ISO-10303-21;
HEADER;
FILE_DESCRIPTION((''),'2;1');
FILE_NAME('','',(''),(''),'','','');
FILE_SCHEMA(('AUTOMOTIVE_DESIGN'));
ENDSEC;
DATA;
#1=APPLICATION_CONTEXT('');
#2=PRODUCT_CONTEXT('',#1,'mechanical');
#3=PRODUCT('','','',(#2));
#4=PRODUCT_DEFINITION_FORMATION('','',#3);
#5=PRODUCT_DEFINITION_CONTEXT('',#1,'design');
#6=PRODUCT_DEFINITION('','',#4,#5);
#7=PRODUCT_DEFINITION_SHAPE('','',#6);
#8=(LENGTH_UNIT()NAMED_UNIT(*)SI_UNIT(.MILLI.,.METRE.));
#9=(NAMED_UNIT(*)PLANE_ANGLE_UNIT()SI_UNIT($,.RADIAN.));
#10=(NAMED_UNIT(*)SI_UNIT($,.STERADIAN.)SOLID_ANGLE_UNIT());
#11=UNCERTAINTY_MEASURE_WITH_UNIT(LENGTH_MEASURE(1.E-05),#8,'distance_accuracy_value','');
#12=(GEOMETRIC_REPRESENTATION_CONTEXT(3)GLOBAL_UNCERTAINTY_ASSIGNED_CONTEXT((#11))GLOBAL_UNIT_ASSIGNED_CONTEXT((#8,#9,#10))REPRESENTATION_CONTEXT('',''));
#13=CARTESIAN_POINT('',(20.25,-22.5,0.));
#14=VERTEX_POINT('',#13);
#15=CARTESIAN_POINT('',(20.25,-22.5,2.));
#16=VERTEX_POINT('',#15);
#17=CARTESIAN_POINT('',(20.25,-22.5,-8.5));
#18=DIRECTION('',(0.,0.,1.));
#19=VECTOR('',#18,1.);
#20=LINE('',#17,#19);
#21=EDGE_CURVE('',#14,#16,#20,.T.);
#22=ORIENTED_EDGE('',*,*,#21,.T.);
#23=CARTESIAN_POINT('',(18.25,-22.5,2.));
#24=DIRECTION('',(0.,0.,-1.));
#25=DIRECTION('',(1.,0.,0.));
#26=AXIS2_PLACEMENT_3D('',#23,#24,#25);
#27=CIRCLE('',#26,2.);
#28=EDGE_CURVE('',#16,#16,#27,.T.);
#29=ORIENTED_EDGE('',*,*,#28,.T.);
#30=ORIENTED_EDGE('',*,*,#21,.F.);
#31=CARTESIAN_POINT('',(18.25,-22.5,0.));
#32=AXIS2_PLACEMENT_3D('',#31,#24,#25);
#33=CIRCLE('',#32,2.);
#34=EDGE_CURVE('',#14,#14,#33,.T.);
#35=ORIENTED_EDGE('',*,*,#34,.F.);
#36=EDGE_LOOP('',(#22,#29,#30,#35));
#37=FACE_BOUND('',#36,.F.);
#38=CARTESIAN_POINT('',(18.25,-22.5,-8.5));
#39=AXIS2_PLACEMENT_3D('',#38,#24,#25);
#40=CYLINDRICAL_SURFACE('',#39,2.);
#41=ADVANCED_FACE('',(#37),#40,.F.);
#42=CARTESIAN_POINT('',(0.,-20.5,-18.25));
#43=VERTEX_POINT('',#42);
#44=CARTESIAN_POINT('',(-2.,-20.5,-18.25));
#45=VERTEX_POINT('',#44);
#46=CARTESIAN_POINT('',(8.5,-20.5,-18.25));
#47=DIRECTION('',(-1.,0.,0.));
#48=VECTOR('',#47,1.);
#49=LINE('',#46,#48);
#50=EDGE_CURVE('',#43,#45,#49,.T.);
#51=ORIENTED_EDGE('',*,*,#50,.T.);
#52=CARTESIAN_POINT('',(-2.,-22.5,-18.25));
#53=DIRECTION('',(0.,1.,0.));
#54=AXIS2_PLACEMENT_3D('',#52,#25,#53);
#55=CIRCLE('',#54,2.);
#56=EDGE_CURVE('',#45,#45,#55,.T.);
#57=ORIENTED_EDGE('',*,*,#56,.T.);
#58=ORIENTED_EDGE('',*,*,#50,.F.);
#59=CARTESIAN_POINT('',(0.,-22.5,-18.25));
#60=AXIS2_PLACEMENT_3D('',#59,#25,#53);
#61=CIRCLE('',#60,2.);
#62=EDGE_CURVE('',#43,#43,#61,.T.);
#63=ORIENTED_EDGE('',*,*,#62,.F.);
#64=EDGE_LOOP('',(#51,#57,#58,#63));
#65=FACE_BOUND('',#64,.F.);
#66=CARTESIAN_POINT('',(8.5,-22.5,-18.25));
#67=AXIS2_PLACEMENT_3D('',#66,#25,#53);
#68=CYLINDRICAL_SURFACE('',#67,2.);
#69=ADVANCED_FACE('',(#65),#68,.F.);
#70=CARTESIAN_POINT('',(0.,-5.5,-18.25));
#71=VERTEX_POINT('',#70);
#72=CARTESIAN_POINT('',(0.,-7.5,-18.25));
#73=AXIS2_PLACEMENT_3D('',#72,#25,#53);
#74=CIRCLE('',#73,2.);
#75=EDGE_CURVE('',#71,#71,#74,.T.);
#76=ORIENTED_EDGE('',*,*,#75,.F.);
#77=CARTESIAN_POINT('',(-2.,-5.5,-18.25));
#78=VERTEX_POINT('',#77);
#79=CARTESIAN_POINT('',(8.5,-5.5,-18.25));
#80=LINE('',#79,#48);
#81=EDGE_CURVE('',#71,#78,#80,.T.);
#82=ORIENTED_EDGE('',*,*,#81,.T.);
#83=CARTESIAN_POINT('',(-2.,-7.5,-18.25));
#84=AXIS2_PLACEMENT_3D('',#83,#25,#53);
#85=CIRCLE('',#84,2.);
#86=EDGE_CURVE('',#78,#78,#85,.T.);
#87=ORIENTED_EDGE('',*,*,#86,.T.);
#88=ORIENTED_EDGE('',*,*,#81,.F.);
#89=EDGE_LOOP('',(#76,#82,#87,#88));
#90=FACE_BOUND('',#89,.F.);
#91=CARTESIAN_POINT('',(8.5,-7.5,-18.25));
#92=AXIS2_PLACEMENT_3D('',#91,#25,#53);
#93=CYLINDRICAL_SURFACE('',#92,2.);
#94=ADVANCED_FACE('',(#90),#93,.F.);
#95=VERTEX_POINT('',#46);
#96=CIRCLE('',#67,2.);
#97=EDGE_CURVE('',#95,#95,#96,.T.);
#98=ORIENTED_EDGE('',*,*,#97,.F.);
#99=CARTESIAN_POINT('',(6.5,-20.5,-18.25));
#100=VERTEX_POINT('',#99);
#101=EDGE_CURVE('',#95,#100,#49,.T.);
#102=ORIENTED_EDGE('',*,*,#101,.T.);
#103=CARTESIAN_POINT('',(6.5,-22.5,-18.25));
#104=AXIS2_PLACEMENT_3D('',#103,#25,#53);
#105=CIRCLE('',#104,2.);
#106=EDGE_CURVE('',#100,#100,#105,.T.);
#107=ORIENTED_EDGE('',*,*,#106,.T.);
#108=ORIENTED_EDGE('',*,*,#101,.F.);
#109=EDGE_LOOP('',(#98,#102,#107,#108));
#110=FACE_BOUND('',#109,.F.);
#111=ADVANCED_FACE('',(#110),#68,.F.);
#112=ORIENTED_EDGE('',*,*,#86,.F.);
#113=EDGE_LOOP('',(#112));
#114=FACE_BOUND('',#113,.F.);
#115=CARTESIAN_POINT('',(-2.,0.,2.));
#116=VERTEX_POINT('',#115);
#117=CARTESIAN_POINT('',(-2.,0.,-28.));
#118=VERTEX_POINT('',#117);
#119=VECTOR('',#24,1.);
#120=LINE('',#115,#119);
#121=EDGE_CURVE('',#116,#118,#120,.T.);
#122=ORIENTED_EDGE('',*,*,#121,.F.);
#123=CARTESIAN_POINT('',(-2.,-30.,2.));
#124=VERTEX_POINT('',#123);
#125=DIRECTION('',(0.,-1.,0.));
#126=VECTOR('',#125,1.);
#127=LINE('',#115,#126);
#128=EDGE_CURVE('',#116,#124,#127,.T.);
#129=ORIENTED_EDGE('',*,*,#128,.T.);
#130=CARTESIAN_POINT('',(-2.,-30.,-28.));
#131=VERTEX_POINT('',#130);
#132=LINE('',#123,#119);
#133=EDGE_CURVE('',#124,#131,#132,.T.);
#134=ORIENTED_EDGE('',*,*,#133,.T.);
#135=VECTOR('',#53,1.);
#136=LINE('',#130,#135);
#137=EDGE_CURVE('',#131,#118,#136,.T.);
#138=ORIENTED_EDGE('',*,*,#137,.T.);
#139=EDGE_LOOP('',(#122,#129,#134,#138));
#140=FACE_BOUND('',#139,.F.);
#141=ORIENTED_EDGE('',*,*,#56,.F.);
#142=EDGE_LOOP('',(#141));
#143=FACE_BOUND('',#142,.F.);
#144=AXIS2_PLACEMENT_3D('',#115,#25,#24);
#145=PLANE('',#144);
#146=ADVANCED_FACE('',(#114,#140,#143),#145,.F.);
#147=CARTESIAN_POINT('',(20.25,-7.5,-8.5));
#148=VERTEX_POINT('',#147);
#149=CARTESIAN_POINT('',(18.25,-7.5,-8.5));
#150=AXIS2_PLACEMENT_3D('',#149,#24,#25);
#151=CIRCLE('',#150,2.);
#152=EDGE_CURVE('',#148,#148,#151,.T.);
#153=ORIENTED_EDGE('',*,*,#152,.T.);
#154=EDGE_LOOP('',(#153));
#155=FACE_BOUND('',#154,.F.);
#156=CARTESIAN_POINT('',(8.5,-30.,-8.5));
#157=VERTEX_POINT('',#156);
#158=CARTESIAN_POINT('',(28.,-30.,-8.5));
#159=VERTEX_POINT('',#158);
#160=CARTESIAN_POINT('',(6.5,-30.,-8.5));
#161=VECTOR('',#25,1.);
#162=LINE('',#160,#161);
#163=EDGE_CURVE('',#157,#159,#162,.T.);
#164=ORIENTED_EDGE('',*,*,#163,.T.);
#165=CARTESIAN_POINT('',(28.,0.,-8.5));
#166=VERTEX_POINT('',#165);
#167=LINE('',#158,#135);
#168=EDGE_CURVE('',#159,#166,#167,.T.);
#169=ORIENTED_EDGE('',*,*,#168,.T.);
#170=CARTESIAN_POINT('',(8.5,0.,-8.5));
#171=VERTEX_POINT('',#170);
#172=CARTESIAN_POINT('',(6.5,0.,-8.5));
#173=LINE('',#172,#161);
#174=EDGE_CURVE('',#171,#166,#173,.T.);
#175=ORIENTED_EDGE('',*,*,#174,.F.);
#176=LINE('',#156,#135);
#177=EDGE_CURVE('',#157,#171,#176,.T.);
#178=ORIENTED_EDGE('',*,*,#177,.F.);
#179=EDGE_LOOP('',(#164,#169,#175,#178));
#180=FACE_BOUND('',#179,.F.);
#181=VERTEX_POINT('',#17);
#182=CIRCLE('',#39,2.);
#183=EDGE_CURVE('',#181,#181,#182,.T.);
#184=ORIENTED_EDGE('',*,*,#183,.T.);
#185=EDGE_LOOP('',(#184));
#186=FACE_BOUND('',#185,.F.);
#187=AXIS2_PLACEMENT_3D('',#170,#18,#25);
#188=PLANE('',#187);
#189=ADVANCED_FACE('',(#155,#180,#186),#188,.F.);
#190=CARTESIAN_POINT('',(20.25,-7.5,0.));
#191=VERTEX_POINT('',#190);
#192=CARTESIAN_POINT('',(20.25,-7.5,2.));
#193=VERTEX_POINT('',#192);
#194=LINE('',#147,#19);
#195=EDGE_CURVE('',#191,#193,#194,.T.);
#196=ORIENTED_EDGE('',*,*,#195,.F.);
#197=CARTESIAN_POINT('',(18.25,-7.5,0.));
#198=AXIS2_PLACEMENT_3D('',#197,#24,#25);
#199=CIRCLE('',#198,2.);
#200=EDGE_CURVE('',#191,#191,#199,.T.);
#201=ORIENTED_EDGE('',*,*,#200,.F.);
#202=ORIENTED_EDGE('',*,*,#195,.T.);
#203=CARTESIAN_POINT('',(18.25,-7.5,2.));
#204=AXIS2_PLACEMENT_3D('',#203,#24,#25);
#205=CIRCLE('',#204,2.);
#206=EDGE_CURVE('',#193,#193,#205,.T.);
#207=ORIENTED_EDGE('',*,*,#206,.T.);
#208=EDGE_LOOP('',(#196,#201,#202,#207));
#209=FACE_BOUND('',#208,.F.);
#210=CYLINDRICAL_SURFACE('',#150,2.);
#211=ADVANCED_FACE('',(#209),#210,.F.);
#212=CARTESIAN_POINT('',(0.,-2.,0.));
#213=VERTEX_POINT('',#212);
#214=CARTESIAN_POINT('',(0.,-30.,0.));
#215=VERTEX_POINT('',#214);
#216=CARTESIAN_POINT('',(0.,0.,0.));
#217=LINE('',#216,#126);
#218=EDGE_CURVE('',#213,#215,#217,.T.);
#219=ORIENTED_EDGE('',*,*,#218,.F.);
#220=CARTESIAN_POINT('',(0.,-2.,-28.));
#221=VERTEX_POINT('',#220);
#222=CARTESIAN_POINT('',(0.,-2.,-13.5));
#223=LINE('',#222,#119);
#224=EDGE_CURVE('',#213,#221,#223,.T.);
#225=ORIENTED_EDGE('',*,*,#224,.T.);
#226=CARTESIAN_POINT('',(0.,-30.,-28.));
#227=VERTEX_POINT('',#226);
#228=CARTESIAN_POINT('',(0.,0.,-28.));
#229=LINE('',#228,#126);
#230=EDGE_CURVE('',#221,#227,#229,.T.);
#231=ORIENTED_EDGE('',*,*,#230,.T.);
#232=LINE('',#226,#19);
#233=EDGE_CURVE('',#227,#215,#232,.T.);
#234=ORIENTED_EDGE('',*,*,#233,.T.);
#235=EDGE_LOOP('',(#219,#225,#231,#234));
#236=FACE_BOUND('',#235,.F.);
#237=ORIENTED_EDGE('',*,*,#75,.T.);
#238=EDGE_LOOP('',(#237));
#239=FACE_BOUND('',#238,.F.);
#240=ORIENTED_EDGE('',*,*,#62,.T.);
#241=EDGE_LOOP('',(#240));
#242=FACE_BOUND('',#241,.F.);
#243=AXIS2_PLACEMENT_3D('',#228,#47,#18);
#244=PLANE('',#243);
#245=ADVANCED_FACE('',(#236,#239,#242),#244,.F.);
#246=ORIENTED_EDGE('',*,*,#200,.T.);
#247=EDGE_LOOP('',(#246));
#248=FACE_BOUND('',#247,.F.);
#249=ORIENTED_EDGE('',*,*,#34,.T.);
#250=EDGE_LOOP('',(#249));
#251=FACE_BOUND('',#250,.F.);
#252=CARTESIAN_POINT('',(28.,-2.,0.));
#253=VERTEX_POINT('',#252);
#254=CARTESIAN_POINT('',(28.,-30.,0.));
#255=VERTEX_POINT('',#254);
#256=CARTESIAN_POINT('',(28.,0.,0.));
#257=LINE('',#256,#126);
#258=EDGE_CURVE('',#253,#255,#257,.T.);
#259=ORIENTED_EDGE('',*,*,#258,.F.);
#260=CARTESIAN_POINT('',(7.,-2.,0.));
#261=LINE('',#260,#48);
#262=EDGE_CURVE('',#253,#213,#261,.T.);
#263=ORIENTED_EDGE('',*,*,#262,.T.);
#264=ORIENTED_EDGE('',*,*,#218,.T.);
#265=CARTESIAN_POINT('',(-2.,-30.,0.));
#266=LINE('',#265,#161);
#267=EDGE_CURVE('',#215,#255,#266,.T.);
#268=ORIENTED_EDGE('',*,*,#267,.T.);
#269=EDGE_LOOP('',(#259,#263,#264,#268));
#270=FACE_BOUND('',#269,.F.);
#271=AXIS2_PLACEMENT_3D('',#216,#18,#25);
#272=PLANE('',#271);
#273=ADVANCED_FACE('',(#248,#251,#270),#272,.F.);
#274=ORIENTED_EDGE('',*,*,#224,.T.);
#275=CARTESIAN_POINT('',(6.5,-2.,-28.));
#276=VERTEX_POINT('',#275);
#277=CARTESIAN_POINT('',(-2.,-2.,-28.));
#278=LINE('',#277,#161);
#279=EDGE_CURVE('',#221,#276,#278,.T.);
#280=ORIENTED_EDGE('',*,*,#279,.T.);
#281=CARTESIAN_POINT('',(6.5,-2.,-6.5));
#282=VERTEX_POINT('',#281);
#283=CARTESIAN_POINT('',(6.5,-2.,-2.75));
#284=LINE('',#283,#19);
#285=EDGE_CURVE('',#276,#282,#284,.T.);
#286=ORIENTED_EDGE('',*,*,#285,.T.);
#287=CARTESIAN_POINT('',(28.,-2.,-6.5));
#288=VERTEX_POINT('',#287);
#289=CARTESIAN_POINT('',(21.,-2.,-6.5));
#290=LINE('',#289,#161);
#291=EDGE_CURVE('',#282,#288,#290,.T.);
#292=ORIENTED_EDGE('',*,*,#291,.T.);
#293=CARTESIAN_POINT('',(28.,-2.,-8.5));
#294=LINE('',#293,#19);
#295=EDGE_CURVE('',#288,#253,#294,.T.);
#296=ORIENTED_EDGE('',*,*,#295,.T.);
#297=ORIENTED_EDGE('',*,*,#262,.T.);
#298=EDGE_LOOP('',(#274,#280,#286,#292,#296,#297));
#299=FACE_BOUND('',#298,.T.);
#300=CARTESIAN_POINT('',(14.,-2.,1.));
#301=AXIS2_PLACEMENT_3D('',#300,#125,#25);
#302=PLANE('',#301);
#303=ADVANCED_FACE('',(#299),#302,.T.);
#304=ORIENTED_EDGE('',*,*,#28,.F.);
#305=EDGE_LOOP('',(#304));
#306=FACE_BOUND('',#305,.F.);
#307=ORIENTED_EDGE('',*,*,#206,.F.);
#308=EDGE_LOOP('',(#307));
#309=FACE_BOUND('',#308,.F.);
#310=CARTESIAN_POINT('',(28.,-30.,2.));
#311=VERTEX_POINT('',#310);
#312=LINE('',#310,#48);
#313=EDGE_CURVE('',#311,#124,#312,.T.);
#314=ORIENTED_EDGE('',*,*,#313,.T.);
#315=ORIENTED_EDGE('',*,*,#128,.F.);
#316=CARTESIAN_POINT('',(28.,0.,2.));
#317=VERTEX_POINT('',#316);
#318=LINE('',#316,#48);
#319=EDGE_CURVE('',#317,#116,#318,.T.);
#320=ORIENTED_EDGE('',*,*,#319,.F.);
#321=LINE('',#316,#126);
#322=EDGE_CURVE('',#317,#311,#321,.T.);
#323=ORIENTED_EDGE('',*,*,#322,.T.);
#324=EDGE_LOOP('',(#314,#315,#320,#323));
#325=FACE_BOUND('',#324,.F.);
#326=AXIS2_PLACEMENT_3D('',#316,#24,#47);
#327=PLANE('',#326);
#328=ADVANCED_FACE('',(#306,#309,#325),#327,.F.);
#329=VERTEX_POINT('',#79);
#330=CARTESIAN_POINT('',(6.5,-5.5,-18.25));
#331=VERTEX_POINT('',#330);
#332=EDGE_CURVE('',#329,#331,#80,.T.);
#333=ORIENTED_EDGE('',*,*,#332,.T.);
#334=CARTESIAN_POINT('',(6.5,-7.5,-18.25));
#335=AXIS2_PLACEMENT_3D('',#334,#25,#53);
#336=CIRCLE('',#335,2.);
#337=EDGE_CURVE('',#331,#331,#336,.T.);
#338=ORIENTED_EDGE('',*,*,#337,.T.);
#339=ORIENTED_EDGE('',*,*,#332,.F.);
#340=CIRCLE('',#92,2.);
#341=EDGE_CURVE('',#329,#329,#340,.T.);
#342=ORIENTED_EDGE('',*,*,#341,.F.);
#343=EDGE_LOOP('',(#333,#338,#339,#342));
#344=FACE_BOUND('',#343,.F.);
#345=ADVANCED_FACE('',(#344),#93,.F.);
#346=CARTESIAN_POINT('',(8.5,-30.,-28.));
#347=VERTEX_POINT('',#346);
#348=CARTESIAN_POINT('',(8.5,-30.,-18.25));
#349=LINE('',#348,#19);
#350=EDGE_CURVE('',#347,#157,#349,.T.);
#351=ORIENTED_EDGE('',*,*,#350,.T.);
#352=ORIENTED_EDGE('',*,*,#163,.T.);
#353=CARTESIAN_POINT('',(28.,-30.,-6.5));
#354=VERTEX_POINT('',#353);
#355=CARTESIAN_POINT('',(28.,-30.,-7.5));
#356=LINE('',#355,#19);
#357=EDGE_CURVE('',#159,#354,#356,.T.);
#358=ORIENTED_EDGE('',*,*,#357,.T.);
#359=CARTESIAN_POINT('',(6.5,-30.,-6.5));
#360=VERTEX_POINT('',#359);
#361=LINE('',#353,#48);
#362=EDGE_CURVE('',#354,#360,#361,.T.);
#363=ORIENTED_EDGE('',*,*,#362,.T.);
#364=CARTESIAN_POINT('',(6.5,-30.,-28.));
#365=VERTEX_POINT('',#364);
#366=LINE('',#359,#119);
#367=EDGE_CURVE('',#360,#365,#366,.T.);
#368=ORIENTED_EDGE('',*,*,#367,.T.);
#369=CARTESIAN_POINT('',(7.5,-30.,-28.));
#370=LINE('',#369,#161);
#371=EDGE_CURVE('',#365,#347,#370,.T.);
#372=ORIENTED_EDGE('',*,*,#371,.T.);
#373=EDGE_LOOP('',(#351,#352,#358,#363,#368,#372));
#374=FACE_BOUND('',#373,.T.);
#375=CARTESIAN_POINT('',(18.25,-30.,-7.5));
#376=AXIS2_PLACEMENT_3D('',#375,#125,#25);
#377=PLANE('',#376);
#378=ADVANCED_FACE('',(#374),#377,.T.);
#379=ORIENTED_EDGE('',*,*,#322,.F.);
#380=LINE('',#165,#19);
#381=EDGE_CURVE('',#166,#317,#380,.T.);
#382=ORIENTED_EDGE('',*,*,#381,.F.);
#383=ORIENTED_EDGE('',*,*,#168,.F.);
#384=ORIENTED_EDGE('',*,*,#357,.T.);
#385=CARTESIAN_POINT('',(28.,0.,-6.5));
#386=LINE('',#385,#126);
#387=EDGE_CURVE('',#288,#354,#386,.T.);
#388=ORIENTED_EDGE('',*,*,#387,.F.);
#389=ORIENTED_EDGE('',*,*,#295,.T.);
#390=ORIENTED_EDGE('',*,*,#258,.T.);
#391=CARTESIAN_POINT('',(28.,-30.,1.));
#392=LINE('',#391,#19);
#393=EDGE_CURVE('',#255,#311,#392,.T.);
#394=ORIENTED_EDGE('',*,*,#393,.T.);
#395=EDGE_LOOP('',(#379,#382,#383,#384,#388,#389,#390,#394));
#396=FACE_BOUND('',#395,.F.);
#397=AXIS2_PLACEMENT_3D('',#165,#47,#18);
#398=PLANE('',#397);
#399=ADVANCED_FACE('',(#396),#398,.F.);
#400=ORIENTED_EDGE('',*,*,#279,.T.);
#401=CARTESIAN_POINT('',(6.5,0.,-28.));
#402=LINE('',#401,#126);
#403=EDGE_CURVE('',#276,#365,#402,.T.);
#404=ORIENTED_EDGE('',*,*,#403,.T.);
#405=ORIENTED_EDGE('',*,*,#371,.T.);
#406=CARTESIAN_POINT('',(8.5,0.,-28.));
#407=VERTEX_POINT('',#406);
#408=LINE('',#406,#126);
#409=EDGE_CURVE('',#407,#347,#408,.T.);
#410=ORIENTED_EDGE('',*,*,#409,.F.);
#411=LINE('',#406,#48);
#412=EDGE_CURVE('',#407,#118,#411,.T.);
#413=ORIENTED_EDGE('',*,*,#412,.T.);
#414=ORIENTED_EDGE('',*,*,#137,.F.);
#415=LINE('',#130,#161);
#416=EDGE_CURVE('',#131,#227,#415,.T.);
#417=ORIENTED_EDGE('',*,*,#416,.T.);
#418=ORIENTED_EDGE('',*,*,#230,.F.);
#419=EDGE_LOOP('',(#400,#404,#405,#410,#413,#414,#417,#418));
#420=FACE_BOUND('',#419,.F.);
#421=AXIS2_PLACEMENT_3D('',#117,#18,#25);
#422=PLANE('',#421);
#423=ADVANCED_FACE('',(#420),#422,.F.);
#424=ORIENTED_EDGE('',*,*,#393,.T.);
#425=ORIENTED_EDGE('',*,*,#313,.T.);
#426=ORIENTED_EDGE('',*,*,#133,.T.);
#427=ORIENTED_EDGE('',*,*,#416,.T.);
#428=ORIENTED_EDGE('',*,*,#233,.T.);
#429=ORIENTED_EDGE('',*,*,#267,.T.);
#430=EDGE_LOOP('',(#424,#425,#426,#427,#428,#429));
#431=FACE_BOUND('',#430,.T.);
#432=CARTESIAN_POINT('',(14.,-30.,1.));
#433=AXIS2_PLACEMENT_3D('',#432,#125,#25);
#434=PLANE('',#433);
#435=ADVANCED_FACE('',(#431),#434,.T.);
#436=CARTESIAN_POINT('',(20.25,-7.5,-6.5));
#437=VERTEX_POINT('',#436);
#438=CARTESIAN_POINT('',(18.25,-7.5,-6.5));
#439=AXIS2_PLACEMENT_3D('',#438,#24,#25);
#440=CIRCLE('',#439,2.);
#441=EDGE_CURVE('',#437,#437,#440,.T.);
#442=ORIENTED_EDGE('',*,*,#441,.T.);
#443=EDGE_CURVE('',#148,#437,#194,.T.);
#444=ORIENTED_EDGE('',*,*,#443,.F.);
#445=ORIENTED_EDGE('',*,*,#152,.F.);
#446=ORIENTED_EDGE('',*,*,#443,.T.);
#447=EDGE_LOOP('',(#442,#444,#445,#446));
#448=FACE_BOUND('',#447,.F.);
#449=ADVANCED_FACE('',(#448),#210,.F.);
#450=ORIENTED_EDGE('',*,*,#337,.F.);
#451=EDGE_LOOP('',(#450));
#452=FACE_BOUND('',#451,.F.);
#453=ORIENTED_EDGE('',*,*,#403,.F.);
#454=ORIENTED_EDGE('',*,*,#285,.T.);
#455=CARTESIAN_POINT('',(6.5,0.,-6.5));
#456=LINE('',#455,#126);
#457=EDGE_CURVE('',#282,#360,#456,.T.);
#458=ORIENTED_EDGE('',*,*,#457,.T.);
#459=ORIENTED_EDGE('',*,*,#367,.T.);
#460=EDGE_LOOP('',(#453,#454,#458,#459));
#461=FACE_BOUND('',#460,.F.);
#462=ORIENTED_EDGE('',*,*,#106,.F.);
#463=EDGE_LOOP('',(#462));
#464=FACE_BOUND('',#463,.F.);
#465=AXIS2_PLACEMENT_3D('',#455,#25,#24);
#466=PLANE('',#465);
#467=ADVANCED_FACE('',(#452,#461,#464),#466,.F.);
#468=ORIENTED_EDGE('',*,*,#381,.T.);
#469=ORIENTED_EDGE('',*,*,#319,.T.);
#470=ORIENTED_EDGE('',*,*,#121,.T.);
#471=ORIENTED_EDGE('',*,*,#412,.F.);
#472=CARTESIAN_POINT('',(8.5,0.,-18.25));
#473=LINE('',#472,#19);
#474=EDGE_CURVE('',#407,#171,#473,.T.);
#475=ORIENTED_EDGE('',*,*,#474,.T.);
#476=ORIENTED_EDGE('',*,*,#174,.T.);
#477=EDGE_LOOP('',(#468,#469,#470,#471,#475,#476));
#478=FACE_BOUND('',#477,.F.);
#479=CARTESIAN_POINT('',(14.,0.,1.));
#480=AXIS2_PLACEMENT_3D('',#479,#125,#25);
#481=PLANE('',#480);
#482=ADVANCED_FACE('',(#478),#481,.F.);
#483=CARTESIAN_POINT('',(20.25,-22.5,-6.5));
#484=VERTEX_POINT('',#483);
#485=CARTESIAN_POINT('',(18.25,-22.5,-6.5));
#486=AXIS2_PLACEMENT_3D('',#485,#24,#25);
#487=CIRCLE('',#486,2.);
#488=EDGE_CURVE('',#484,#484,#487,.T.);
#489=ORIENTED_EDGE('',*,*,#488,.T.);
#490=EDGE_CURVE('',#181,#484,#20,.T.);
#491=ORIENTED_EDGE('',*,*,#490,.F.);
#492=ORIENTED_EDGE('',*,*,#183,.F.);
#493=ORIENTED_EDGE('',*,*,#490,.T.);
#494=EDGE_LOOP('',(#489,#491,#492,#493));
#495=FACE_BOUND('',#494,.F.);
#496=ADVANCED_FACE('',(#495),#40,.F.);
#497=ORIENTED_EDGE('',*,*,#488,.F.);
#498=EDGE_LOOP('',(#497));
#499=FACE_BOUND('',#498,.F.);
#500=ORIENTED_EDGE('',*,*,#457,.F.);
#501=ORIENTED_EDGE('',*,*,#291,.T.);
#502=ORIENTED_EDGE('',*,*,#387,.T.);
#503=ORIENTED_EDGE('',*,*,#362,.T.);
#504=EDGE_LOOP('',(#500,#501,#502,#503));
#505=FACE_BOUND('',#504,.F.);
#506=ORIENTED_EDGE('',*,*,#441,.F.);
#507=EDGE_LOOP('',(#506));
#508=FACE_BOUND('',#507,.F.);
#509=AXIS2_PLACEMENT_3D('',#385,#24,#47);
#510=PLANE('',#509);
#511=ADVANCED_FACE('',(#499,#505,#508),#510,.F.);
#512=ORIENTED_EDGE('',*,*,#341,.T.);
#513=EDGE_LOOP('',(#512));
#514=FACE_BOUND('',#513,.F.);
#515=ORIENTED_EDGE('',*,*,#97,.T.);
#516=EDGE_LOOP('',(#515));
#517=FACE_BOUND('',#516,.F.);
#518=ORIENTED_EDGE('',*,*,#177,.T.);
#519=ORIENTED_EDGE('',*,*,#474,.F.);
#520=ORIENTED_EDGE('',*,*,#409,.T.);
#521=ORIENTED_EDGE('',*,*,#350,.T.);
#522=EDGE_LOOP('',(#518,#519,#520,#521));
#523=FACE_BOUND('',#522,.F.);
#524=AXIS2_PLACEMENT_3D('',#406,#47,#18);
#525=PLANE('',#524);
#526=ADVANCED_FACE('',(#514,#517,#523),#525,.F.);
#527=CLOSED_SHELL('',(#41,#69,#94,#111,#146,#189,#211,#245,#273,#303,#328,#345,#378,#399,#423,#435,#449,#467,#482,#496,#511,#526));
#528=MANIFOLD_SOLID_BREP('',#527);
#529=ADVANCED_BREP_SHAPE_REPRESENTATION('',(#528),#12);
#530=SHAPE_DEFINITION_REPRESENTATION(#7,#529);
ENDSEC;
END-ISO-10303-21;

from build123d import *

# Parameters (mm, degrees)
F2_W     = 28
F2_H     = 2
F2_W_2   = 2
F2_W_3   = 19.5
F2_H_2   = 19.5
F3_DEPTH = 2
F4_DEPTH = 30
F5_R     = 2
F6_DEPTH = 25
F7_R     = 2
F8_DEPTH = 25


with BuildPart() as f3:
    # F2 (on Front) → F3 (new body)
    with BuildSketch(Plane.XZ):
        with Locations((14, 1)):
            Rectangle(F2_W, F2_H)
        Polygon((28, 0), (0, 0), (0, -6.5), (6.5, -6.5), (8.5, -6.5), (28, -6.5), align=None)
        with Locations((-1, 1)):
            Rectangle(F2_W_2, F2_H)
        Polygon((0, -6.5), (0, 0), (-2, 0), (-2, -28), (0, -28), align=None)
        Polygon((6.5, -6.5), (0, -6.5), (0, -28), (6.5, -28), (6.5, -8.5), align=None)
        with Locations((18.25, -7.5)):
            Rectangle(F2_W_3, F2_H)
        with Locations((7.5, -7.5)):
            Rectangle(F2_W_2, F2_H)
        with Locations((7.5, -18.25)):
            Rectangle(F2_W_2, F2_H_2)
    extrude(amount=F3_DEPTH)

    # F2 (on Front) → F4 (join)
    with BuildSketch(Plane.XZ):
        with Locations((14, 1)):
            Rectangle(F2_W, F2_H)
        with Locations((-1, 1)):
            Rectangle(F2_W_2, F2_H)
        Polygon((0, -6.5), (0, 0), (-2, 0), (-2, -28), (0, -28), align=None)
        with Locations((18.25, -7.5)):
            Rectangle(F2_W_3, F2_H)
        with Locations((7.5, -7.5)):
            Rectangle(F2_W_2, F2_H)
        with Locations((7.5, -18.25)):
            Rectangle(F2_W_2, F2_H_2)
    extrude(amount=F4_DEPTH)

    # F5 (on face) → F6 (cut)
    with BuildSketch(Plane(origin=(0, 0, -8.5), x_dir=(1, 0, 0), z_dir=(0, 0, -1))):
        with Locations((18.25, 22.5)):
            Circle(F5_R)
        with Locations((18.25, 7.5)):
            Circle(F5_R)
    extrude(amount=-F6_DEPTH, mode=Mode.SUBTRACT)

    # F7 (on face) → F8 (cut)
    with BuildSketch(Plane.YZ.offset(8.5)):
        with Locations((-22.5, -18.25)):
            Circle(F7_R)
        with Locations((-7.5, -18.25)):
            Circle(F7_R)
    extrude(amount=-F8_DEPTH, mode=Mode.SUBTRACT)


solid = f3.part
